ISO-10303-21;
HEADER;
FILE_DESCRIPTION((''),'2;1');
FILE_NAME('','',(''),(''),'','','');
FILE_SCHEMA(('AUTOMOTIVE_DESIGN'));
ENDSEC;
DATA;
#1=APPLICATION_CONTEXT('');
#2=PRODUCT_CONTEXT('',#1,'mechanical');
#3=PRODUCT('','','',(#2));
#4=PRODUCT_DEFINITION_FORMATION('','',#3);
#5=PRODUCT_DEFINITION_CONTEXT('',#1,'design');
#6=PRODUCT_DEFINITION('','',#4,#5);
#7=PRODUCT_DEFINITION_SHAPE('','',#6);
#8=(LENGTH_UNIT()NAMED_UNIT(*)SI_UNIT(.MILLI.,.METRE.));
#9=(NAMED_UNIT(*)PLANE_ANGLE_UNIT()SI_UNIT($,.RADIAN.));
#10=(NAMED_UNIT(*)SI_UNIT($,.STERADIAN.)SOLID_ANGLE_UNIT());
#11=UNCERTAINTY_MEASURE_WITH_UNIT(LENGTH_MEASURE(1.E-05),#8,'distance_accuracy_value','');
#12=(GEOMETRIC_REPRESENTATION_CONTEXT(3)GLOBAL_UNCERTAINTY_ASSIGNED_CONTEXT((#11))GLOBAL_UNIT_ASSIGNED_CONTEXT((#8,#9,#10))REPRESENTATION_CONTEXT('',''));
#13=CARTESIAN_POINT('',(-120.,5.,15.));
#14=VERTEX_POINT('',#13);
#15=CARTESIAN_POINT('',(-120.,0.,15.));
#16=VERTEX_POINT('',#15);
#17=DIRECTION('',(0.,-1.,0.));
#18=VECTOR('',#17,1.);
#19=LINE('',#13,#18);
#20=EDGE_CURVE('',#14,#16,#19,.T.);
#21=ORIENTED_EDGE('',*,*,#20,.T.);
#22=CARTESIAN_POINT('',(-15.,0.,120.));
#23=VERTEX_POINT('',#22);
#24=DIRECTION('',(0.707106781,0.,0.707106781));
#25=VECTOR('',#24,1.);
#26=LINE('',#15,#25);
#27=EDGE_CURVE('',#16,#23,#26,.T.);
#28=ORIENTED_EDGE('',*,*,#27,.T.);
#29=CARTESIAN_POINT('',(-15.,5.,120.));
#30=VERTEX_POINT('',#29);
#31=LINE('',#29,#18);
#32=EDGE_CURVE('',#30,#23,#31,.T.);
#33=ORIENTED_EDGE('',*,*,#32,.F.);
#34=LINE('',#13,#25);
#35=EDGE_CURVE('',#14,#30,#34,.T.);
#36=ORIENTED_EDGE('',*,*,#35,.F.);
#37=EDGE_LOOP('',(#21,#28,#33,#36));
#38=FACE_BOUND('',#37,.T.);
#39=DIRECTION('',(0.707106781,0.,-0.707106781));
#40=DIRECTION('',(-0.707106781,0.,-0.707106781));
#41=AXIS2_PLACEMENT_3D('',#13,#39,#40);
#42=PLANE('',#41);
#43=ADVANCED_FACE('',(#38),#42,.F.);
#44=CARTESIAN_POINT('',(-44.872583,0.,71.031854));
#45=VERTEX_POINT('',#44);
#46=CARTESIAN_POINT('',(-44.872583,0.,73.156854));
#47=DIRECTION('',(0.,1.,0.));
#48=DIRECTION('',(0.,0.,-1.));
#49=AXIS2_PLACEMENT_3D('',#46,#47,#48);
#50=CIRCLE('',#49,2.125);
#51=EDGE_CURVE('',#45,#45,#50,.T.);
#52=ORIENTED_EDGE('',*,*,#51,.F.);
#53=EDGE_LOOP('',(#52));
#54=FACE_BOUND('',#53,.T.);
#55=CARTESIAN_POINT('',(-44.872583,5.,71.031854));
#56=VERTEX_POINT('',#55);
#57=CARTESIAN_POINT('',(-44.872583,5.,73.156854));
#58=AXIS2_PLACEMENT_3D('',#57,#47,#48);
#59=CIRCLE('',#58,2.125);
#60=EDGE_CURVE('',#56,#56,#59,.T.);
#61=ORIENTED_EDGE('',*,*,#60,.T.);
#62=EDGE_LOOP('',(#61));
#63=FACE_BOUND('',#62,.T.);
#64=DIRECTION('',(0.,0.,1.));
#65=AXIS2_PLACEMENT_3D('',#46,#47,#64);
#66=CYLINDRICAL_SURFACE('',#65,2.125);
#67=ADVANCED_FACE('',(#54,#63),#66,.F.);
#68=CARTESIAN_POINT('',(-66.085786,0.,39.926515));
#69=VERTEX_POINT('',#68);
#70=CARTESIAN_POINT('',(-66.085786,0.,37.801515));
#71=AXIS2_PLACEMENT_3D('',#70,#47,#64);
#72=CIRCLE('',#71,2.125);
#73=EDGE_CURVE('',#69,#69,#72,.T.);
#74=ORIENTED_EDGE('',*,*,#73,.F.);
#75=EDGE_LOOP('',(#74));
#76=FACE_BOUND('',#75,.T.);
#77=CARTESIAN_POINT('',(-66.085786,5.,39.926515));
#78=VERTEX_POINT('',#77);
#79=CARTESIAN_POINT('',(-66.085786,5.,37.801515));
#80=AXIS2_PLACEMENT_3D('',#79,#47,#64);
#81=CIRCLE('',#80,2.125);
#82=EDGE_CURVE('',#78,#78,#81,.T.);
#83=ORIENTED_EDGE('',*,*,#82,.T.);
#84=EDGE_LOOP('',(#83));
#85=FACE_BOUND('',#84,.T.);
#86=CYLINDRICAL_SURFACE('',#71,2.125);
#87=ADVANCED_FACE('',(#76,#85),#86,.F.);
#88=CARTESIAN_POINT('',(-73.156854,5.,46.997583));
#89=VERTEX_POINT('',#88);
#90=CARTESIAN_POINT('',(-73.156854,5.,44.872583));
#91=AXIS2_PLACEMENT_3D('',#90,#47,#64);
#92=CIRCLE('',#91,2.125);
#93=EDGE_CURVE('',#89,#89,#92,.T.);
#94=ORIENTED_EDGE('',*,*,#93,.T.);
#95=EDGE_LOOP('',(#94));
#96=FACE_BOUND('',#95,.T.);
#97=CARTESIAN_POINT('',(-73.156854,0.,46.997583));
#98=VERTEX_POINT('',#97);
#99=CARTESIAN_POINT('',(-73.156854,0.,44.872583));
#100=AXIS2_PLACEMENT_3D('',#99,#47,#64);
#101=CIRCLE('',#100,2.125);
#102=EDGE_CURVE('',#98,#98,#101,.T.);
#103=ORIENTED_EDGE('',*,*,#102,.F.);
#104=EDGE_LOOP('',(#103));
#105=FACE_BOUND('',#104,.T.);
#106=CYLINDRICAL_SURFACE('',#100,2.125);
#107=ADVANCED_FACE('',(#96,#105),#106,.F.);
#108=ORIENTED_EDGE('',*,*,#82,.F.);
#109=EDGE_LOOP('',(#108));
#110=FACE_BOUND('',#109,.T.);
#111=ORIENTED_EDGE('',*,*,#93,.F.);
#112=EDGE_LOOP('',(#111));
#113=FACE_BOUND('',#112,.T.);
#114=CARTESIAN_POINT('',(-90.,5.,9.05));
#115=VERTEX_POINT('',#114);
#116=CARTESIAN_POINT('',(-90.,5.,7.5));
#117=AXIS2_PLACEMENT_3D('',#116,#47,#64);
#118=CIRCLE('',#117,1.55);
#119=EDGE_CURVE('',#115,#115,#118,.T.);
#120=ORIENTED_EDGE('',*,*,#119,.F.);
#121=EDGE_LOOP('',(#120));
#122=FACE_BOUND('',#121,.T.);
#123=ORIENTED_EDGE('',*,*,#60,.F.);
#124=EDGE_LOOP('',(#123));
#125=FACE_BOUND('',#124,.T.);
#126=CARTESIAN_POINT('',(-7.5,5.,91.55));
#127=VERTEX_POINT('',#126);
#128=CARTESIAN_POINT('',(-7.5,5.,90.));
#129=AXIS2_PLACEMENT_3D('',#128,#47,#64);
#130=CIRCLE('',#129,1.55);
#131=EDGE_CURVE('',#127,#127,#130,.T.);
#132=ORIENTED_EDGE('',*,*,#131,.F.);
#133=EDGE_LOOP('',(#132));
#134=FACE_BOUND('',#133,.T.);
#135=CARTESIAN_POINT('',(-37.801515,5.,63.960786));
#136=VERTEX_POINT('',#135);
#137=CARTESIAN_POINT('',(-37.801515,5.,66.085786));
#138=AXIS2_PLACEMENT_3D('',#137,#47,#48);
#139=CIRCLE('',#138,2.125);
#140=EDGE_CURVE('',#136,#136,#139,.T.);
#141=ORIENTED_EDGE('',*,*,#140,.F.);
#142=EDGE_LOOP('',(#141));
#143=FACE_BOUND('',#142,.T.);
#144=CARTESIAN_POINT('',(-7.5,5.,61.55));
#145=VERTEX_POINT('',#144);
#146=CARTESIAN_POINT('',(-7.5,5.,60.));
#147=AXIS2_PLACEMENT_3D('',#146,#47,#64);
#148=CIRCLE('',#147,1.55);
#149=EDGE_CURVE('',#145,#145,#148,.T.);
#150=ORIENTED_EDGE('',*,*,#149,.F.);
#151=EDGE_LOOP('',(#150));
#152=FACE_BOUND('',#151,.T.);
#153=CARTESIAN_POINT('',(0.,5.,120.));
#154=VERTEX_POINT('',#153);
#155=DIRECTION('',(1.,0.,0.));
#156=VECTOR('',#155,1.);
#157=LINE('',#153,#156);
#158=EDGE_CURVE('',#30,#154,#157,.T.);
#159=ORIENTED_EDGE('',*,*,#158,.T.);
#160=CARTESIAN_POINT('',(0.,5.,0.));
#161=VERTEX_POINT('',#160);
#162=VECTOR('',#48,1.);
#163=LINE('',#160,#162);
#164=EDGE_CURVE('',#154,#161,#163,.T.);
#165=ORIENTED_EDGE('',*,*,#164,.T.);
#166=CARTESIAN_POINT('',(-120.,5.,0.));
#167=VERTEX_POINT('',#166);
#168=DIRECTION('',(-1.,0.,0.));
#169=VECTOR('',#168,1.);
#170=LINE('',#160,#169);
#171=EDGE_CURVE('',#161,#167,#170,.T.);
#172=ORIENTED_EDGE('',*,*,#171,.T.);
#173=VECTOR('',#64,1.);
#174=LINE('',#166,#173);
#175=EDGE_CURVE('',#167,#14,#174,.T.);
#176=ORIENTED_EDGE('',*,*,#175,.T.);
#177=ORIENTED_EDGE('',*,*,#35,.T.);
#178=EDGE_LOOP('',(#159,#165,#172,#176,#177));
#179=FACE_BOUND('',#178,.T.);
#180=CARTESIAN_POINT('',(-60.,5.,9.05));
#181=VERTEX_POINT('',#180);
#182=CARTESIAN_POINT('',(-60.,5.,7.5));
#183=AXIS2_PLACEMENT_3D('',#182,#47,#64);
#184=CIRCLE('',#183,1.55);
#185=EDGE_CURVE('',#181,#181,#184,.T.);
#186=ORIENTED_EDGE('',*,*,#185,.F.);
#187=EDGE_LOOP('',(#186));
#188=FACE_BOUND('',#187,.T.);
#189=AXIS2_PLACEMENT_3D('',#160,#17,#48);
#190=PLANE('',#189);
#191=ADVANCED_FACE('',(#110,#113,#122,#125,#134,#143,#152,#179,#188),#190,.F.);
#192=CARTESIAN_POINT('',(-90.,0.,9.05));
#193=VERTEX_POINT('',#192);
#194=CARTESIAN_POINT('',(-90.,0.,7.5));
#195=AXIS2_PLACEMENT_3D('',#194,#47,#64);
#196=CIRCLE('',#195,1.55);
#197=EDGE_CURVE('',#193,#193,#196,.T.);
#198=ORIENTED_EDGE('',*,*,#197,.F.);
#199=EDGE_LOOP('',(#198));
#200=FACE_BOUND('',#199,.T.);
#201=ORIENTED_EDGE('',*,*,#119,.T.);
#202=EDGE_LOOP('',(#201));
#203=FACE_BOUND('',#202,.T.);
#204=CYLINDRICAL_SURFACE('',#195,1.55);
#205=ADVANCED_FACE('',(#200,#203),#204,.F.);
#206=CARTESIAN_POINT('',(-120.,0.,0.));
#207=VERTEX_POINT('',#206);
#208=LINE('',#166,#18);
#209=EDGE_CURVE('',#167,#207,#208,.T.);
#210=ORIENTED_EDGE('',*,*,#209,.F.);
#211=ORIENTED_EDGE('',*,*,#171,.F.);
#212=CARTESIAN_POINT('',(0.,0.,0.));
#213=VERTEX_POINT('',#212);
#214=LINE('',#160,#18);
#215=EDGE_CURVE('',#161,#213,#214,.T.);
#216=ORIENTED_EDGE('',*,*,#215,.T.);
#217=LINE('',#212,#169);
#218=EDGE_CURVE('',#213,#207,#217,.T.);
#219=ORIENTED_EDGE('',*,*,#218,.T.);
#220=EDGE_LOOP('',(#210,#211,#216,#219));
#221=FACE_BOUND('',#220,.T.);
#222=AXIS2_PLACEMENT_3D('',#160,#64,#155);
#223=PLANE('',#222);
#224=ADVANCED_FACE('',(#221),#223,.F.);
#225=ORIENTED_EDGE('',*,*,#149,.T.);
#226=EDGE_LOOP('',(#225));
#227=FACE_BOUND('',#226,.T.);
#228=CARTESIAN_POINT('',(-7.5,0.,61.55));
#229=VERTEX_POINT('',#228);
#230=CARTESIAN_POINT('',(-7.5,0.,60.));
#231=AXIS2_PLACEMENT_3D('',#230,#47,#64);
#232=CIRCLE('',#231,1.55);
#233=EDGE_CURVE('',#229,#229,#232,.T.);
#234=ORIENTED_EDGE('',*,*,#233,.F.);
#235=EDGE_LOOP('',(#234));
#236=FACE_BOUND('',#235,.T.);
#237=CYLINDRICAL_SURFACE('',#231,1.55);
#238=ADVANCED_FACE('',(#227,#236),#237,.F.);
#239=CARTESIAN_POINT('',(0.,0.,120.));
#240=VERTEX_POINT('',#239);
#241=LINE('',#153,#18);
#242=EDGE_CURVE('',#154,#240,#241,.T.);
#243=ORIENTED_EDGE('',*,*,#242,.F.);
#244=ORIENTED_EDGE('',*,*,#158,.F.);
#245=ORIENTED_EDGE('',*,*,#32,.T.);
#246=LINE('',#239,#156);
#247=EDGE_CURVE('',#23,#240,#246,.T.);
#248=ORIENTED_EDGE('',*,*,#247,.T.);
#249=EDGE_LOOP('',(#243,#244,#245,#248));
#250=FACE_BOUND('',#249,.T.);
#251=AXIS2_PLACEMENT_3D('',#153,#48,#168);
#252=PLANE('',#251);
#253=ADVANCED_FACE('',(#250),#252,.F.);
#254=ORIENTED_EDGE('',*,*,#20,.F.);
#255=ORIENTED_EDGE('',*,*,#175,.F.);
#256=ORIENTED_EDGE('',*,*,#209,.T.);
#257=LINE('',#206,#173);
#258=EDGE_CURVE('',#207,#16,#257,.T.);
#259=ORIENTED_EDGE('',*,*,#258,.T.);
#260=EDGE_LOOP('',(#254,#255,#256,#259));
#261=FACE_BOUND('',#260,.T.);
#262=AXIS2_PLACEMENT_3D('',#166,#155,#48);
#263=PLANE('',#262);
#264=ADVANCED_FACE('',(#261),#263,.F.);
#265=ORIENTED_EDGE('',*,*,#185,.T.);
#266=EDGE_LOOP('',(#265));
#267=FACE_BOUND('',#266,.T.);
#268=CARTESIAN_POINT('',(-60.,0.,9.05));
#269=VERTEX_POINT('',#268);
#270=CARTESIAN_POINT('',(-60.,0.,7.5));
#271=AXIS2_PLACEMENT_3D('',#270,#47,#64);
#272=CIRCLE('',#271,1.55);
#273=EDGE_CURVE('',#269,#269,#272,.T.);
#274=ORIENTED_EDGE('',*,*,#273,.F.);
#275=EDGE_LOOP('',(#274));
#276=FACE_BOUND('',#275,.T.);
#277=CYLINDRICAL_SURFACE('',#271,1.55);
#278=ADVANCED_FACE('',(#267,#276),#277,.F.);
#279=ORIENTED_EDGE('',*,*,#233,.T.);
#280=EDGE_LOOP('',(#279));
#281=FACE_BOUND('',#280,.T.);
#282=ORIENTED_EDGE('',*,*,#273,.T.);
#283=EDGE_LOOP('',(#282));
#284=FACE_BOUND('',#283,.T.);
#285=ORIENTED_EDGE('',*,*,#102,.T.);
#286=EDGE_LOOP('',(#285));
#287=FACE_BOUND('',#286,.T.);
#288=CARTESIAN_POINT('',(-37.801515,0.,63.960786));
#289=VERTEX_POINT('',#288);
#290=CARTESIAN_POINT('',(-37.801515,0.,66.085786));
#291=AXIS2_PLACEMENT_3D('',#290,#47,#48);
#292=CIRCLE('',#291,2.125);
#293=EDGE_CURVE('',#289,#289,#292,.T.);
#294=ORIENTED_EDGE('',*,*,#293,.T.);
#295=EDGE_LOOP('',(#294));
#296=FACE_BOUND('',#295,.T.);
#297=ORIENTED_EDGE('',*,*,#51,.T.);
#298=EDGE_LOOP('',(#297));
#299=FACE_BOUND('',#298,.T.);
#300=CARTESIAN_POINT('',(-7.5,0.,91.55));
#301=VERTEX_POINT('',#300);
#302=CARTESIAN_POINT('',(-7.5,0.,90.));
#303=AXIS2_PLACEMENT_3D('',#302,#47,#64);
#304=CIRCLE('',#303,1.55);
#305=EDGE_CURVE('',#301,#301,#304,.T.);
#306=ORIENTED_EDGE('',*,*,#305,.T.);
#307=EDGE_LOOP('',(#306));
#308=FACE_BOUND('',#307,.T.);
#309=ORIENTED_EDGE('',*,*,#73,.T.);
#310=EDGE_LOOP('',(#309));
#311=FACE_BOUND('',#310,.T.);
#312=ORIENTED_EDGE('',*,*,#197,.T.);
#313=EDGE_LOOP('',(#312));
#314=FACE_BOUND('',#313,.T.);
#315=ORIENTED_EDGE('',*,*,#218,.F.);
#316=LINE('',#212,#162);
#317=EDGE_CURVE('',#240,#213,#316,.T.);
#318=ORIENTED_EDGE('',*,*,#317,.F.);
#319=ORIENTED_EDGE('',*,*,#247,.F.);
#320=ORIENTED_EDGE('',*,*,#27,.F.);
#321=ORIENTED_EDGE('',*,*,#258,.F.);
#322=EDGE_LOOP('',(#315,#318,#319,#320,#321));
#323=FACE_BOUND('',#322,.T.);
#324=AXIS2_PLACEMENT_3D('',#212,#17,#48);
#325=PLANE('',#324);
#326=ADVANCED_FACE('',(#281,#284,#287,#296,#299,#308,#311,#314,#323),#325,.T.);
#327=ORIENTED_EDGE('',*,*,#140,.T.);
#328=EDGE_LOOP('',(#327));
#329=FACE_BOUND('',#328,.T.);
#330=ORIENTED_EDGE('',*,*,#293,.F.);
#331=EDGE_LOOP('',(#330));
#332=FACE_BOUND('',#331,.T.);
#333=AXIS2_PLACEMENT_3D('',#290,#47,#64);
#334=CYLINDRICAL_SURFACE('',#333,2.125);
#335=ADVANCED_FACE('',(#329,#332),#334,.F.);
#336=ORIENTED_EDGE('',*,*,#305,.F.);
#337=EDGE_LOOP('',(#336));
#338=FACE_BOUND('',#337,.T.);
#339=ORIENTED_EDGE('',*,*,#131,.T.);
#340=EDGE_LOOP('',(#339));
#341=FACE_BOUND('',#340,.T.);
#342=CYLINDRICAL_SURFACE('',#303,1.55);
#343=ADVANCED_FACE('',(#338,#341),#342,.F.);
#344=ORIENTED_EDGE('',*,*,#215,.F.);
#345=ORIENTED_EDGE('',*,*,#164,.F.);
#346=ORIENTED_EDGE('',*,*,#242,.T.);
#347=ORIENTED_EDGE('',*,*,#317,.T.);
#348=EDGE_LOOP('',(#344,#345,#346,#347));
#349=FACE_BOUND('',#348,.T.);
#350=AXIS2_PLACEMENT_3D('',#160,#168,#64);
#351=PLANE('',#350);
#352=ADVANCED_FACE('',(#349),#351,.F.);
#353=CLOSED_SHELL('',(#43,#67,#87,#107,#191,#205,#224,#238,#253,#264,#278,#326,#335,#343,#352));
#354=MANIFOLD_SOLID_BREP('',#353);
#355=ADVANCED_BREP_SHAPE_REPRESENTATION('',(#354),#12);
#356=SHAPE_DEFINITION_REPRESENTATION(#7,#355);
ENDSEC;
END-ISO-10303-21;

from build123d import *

# Parameters (mm, degrees)
BOSS_EXTRUDE1_DEPTH = 5
SKETCH3_R           = 1.55
CUT_EXTRUDE1_DEPTH  = 5
SKETCH4_R           = 2.125
CUT_EXTRUDE2_DEPTH  = 5


with BuildPart() as part:
    # Sketch2 → Boss-Extrude1 (new body)
    with BuildSketch(Plane(origin=(0, 0, 0), x_dir=(1, 0, 0), z_dir=(0, 1, 0))):
        Polygon((-120, -15), (-15, -120), (0, -120), (0, 0), (-120, 0), align=None)
    extrude(amount=BOSS_EXTRUDE1_DEPTH)

    # Sketch3 → Cut-Extrude1 (cut)
    with BuildSketch(Plane(origin=(0, 5, 0), x_dir=(1, 0, 0), z_dir=(0, 1, 0))):
        with Locations(Location((-90, -7.5, 0), (0, 0, 270))):
            Circle(SKETCH3_R)
        with Locations(Location((-60, -7.5, 0), (0, 0, 270))):
            Circle(SKETCH3_R)
        with Locations(Location((-7.5, -90, 0), (0, 0, 270))):
            Circle(SKETCH3_R)
        with Locations(Location((-7.5, -60, 0), (0, 0, 270))):
            Circle(SKETCH3_R)
    extrude(amount=-CUT_EXTRUDE1_DEPTH, mode=Mode.SUBTRACT)

    # Sketch4 → Cut-Extrude2 (cut)
    with BuildSketch(Plane(origin=(0, 5, 0), x_dir=(1, 0, 0), z_dir=(0, 1, 0))):
        with Locations(Location((-66.085786438, -37.80151519, 0), (0, 0, 270))):
            Circle(SKETCH4_R)
        with Locations(Location((-73.156854249, -44.872583002, 0), (0, 0, 270))):
            Circle(SKETCH4_R)
        with Locations(Location((-44.872583002, -73.156854249, 0), (0, 0, 90))):
            Circle(SKETCH4_R)
        with Locations(Location((-37.80151519, -66.085786438, 0), (0, 0, 90))):
            Circle(SKETCH4_R)
    extrude(amount=-CUT_EXTRUDE2_DEPTH, mode=Mode.SUBTRACT)


solid = part.part
